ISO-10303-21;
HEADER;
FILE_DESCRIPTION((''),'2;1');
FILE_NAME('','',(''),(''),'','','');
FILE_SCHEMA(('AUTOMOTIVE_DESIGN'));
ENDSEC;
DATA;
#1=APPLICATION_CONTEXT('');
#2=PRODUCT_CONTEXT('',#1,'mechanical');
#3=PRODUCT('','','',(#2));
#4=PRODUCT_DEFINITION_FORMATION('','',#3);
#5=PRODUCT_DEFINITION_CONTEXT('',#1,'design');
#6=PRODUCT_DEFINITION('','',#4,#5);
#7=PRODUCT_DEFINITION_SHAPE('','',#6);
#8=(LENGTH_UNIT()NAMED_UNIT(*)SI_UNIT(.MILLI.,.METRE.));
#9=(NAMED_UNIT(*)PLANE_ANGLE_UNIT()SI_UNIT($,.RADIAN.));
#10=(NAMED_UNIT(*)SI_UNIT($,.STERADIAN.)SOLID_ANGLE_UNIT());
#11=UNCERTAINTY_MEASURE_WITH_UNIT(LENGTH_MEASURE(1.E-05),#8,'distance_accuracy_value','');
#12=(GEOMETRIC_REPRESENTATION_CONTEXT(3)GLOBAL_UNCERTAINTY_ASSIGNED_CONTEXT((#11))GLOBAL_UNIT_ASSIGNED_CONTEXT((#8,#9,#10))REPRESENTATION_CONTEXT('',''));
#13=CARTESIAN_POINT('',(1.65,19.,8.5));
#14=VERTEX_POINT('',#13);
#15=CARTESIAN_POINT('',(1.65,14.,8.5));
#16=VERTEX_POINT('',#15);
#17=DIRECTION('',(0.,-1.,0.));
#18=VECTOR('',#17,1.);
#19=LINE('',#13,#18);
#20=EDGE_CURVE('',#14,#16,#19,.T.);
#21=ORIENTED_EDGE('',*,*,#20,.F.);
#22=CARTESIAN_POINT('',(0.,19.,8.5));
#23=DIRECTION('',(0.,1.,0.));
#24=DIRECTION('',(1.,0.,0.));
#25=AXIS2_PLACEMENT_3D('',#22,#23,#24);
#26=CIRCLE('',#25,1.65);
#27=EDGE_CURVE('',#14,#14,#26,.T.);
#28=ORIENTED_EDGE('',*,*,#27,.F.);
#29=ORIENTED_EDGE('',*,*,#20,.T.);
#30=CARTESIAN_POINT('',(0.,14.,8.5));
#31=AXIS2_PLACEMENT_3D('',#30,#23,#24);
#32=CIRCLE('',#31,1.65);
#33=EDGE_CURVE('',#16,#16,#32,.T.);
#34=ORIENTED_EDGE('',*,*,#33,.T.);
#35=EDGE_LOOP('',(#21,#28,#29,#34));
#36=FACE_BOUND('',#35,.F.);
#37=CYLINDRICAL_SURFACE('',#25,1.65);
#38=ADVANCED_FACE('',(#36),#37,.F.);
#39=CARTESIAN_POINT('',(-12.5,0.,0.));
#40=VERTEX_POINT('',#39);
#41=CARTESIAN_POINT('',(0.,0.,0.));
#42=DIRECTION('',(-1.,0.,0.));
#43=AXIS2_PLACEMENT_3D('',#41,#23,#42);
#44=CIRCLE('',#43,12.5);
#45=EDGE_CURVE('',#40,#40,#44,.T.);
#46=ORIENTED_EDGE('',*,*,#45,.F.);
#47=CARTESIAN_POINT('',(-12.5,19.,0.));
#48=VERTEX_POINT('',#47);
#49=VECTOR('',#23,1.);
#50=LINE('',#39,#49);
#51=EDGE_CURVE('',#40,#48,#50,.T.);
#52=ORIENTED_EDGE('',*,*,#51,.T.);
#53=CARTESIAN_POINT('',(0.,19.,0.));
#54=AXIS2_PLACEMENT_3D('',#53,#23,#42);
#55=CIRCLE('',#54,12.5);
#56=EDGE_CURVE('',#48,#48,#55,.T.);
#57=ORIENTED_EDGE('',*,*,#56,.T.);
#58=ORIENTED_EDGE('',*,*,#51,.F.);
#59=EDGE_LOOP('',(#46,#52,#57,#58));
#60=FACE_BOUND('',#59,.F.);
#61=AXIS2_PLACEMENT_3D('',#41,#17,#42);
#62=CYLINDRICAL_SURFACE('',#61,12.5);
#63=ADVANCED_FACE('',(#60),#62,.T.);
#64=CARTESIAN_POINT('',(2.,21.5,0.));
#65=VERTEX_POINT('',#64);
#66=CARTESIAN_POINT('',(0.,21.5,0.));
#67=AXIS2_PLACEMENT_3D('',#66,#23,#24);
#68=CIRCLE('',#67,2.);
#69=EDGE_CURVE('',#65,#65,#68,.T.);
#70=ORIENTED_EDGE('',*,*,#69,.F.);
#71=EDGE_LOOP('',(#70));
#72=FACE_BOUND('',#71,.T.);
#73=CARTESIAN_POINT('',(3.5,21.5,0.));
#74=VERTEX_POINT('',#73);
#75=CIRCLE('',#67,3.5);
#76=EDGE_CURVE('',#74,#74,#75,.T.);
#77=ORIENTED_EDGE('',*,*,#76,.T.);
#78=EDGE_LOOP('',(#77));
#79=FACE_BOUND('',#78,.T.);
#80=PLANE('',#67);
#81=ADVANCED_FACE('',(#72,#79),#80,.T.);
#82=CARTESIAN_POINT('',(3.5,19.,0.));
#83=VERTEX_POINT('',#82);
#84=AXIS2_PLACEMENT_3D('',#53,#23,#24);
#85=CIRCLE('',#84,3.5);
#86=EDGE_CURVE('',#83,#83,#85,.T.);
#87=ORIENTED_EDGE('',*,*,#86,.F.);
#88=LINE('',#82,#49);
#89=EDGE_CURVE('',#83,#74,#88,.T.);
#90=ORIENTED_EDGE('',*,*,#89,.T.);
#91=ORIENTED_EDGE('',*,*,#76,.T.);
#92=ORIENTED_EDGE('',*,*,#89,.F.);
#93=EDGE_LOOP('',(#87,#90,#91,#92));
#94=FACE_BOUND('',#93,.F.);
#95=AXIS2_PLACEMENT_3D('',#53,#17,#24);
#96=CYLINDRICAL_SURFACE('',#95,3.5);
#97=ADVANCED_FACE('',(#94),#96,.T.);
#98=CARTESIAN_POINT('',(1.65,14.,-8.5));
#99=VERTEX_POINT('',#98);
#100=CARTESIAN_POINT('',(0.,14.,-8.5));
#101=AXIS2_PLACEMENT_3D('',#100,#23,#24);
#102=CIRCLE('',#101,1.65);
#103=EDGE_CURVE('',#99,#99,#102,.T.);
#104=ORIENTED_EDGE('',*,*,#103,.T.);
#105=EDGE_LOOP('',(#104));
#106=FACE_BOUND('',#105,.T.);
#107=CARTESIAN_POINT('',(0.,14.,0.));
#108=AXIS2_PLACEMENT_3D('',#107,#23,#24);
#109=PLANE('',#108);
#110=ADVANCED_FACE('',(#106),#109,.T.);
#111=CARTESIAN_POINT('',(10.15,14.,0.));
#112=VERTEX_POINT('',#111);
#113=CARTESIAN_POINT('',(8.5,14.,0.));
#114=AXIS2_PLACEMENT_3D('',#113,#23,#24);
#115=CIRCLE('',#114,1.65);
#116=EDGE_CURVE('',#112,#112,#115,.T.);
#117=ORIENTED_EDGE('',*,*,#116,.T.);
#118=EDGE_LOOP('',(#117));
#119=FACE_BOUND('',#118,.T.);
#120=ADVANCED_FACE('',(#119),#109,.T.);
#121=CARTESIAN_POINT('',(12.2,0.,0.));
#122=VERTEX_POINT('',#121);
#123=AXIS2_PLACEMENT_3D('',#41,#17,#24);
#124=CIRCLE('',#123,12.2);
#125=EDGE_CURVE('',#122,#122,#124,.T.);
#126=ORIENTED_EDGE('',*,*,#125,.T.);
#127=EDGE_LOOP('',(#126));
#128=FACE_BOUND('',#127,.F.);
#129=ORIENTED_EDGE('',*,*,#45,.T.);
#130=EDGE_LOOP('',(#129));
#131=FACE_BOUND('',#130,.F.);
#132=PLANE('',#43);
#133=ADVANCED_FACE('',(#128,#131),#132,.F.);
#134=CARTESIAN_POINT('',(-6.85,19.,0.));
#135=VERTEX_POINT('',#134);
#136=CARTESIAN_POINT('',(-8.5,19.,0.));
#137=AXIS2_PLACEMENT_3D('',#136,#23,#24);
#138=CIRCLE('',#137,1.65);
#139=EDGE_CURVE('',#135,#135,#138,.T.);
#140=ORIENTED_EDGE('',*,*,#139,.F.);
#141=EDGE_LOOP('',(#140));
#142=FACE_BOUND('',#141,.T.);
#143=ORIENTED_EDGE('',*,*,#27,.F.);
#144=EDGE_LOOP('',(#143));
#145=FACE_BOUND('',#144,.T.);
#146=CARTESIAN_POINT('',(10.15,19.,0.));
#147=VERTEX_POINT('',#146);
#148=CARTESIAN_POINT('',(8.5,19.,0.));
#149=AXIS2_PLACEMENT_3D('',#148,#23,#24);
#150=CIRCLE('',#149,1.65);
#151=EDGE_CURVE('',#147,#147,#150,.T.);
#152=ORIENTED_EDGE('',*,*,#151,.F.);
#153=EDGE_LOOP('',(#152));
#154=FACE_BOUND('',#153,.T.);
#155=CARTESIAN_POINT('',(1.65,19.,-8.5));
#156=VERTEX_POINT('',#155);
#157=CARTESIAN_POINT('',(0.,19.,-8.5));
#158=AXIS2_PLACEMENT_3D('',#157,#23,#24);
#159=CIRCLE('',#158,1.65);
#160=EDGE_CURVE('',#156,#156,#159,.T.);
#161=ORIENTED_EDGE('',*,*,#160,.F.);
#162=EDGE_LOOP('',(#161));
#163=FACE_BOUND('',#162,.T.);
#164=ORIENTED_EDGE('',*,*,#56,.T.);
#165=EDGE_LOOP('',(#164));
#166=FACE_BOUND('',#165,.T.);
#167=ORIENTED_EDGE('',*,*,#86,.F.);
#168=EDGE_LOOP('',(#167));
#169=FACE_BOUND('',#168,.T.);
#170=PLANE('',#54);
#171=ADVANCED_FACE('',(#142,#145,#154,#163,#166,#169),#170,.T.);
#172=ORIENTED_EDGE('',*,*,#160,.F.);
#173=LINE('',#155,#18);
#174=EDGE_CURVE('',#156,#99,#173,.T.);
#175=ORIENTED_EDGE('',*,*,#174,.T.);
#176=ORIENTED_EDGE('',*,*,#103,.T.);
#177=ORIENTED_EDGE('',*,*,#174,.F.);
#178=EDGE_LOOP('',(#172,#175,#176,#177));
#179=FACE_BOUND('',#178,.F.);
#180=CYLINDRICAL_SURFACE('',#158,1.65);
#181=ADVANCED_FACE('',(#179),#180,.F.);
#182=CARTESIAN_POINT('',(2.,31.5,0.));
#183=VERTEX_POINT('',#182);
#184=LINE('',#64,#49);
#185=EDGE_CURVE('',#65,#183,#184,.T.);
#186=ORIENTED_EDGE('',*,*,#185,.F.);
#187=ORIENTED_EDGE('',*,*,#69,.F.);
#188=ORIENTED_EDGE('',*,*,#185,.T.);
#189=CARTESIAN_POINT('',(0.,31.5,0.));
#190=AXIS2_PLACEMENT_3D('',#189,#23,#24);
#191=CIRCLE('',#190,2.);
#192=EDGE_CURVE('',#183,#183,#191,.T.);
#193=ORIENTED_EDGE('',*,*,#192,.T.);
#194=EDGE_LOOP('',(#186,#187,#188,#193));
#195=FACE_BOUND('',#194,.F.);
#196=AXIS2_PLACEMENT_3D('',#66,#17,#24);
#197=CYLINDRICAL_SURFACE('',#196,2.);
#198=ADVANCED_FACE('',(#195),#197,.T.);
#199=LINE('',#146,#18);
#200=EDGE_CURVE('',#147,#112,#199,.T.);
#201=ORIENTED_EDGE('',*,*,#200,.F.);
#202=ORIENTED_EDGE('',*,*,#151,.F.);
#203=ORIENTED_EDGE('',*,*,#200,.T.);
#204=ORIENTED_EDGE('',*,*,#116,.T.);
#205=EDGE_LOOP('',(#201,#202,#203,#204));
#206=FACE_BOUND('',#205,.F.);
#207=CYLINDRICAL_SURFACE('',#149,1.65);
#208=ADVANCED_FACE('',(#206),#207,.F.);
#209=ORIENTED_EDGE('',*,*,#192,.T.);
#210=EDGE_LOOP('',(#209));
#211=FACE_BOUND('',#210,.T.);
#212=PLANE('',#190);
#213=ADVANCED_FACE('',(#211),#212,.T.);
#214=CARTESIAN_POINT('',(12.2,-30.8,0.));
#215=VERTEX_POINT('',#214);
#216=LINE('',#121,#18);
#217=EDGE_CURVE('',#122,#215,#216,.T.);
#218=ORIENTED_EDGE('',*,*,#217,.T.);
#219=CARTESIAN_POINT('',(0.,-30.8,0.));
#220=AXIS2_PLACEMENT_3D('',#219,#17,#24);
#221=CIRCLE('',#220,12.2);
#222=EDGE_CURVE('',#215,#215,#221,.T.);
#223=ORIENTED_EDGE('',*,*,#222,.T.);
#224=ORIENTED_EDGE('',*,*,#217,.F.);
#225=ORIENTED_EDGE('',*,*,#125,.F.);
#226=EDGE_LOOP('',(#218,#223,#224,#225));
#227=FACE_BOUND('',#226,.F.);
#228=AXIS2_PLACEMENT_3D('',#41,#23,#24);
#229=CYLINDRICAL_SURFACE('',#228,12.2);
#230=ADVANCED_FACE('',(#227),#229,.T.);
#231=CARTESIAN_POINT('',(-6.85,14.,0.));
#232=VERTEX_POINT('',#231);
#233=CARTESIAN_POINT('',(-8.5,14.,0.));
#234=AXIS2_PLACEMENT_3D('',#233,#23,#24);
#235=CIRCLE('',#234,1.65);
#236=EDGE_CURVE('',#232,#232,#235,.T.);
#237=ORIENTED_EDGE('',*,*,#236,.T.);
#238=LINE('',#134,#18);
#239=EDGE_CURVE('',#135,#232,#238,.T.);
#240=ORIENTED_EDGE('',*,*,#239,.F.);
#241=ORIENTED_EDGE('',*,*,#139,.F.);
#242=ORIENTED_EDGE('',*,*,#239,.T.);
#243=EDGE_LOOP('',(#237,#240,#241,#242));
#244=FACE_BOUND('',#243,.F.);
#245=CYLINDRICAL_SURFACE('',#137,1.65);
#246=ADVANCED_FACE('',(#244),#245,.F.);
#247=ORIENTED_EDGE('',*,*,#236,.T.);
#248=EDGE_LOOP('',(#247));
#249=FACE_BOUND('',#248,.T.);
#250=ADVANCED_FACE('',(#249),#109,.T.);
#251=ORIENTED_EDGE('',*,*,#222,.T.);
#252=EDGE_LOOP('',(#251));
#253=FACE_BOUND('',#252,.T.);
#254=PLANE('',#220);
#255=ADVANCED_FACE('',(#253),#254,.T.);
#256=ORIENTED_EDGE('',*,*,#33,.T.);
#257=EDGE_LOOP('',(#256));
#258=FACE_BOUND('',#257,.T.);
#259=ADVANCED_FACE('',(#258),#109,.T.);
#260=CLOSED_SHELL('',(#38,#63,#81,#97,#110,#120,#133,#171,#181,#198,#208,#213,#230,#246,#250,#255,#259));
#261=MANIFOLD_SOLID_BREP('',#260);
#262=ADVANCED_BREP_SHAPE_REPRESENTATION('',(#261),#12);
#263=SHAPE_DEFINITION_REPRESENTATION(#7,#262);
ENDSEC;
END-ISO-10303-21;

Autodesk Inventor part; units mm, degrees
ref_plane "YZ Plane" through (0, 0, 0) normal (1, 0, 0) x (0, 1, 0)
ref_plane "XZ Plane" through (0, 0, 0) normal (0, 1, 0) x (-1, 0, 0)
ref_plane "XY Plane" through (0, 0, 0) normal (0, 0, 1) x (1, 0, 0)
sketch "Sketch1" plane through (0, 0, 0) normal (0, 1, 0) x (-1, 0, 0)
  circle A0 centre (0, 0) radius 12.5
  dimension "d0" = 25
extrude "Extrusion1" add sketch "Sketch1" along normal blind 19
sketch "Sketch2" plane through (0, 0, 0) normal (0, -1, 0) x (1, 0, 0)
  circle A0 centre (0, 0) radius 12.2
  dimension "d3" = 24.4
extrude "Extrusion2" add sketch "Sketch2" along normal blind 30.8
sketch "Sketch3" plane through (0, 19, 0) normal (0, 1, 0) x (1, 0, 0)
  circle A0 centre (0, 0) radius 3.5
  dimension "d6" = 7
extrude "Extrusion3" add sketch "Sketch3" along normal blind 2.5
sketch "Sketch4" plane through (0, 21.5, 0) normal (0, 1, 0) x (1, 0, 0)
  circle A0 centre (0, 0) radius 3.5 projected
  circle A1 centre (0, 0) radius 2
  dimension "d9" = 4
extrude "Extrusion4" add sketch "Sketch4" along normal blind 10 contours A1
sketch "Sketch5" plane through (0, 19, 0) normal (0, 1, 0) x (1, 0, 0)
  circle A0 centre (0, 8.5) radius 1.65
  circle A1 centre (-8.5, 0) radius 1.65
  circle A2 centre (0, -8.5) radius 1.65
  circle A3 centre (8.5, 0) radius 1.65
  point P0 (0, 0)
  dimension "d13" = 3.3
  dimension "d16" = 360
extrude "Extrusion5" cut sketch "Sketch5" against normal blind 5
properties part number "Motor" material "Iron, Malleable"
